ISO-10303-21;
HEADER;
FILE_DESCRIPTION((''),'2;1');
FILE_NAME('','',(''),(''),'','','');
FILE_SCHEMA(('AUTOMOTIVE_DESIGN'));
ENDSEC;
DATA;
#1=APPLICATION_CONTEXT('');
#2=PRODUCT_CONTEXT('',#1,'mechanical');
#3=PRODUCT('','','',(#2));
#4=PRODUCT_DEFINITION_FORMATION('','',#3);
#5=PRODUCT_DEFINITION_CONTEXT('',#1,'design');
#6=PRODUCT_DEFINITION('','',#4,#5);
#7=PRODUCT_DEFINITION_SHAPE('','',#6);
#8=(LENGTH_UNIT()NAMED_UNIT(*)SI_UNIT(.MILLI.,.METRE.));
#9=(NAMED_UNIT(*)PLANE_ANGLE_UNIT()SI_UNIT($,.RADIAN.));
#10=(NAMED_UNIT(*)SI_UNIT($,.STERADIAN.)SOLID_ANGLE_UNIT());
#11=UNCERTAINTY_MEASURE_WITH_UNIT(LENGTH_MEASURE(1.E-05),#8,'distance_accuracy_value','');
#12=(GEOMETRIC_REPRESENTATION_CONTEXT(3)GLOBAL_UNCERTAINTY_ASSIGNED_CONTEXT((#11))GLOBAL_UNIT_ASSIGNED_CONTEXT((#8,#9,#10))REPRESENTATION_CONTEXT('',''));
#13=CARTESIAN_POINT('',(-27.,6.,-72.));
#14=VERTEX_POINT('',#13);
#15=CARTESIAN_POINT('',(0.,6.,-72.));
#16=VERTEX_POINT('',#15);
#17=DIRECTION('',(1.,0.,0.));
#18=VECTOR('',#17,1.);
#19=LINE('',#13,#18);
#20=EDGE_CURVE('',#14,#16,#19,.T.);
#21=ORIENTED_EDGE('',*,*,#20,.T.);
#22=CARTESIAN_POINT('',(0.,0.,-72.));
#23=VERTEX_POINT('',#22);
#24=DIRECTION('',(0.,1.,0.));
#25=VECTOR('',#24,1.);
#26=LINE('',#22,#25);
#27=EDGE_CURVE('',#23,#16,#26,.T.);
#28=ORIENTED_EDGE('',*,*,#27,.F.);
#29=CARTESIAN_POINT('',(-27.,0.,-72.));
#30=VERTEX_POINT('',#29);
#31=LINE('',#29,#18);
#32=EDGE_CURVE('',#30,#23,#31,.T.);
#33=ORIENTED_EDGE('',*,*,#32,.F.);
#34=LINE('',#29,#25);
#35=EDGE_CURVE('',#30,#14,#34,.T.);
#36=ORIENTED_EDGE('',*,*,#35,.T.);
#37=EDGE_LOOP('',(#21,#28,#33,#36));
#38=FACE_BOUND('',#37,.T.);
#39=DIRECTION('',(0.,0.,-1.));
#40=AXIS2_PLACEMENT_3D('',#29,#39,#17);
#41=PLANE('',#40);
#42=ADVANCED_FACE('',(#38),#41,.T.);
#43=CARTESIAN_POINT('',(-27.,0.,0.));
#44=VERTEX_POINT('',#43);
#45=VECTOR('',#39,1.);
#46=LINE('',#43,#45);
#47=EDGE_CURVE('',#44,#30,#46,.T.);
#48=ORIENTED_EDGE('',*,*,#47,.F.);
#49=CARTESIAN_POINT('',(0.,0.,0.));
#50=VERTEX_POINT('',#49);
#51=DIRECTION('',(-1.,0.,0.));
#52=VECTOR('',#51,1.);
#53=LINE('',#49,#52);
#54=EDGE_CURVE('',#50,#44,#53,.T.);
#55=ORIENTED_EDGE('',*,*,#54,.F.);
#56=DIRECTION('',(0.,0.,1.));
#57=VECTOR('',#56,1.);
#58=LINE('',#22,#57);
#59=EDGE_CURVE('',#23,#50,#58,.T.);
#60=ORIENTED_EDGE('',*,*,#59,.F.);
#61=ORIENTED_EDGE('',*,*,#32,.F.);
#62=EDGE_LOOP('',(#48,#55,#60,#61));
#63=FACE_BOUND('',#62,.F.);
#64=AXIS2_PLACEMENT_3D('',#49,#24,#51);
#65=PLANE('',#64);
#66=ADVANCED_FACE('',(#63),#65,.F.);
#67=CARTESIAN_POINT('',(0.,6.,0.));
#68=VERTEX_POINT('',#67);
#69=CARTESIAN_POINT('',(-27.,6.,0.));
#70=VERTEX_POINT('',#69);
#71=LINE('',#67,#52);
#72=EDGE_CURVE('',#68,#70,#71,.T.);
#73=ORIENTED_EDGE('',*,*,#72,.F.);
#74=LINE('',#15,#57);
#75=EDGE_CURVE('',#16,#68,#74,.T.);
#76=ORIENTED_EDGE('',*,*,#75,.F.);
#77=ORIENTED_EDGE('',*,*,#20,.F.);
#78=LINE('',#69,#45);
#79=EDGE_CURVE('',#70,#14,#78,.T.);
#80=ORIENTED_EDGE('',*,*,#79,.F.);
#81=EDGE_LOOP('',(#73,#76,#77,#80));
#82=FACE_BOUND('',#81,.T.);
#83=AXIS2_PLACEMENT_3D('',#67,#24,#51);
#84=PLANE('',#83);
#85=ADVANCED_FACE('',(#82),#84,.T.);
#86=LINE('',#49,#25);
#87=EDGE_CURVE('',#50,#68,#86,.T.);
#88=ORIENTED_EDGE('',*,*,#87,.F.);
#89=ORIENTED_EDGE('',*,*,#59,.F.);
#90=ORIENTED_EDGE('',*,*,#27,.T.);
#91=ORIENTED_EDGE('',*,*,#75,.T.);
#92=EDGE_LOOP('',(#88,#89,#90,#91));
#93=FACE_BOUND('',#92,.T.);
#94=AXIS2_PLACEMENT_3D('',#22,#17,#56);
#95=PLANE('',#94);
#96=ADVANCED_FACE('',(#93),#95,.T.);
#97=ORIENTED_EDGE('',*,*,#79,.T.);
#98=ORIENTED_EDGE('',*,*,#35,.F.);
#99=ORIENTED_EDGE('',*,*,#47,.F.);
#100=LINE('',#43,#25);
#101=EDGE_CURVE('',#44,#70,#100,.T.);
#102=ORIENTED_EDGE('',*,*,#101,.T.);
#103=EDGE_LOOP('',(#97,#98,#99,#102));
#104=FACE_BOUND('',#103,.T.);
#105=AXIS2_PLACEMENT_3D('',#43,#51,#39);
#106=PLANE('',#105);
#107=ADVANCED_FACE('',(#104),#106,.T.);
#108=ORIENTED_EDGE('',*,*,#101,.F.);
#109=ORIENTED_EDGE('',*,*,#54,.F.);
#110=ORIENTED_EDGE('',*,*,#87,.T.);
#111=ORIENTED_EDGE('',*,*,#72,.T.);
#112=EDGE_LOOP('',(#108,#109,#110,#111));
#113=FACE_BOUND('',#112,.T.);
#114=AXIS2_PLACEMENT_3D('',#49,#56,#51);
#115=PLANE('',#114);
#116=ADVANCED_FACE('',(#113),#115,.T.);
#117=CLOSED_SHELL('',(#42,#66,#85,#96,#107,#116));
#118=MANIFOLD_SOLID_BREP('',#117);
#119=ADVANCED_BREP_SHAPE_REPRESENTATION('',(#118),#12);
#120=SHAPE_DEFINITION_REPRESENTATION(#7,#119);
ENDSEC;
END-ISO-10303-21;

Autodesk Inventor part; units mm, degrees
ref_plane "YZ Plane" through (0, 0, 0) normal (1, 0, 0) x (0, 1, 0)
ref_plane "XZ Plane" through (0, 0, 0) normal (0, 1, 0) x (-1, 0, 0)
ref_plane "XY Plane" through (0, 0, 0) normal (0, 0, 1) x (1, 0, 0)
sketch "Sketch1" plane through (0, 0, 0) normal (0, 1, 0) x (-1, 0, 0)
  line L0 (0, 0) -> (27, 0)
  line L1 (27, 0) -> (27, -72)
  line L2 (27, -72) -> (0, -72)
  line L3 (0, -72) -> (0, 0)
  dimension "d0" = 72
  dimension "d1" = 27
extrude "Extrusion1" add sketch "Sketch1" along normal blind 6
properties part number "LCD Module"
